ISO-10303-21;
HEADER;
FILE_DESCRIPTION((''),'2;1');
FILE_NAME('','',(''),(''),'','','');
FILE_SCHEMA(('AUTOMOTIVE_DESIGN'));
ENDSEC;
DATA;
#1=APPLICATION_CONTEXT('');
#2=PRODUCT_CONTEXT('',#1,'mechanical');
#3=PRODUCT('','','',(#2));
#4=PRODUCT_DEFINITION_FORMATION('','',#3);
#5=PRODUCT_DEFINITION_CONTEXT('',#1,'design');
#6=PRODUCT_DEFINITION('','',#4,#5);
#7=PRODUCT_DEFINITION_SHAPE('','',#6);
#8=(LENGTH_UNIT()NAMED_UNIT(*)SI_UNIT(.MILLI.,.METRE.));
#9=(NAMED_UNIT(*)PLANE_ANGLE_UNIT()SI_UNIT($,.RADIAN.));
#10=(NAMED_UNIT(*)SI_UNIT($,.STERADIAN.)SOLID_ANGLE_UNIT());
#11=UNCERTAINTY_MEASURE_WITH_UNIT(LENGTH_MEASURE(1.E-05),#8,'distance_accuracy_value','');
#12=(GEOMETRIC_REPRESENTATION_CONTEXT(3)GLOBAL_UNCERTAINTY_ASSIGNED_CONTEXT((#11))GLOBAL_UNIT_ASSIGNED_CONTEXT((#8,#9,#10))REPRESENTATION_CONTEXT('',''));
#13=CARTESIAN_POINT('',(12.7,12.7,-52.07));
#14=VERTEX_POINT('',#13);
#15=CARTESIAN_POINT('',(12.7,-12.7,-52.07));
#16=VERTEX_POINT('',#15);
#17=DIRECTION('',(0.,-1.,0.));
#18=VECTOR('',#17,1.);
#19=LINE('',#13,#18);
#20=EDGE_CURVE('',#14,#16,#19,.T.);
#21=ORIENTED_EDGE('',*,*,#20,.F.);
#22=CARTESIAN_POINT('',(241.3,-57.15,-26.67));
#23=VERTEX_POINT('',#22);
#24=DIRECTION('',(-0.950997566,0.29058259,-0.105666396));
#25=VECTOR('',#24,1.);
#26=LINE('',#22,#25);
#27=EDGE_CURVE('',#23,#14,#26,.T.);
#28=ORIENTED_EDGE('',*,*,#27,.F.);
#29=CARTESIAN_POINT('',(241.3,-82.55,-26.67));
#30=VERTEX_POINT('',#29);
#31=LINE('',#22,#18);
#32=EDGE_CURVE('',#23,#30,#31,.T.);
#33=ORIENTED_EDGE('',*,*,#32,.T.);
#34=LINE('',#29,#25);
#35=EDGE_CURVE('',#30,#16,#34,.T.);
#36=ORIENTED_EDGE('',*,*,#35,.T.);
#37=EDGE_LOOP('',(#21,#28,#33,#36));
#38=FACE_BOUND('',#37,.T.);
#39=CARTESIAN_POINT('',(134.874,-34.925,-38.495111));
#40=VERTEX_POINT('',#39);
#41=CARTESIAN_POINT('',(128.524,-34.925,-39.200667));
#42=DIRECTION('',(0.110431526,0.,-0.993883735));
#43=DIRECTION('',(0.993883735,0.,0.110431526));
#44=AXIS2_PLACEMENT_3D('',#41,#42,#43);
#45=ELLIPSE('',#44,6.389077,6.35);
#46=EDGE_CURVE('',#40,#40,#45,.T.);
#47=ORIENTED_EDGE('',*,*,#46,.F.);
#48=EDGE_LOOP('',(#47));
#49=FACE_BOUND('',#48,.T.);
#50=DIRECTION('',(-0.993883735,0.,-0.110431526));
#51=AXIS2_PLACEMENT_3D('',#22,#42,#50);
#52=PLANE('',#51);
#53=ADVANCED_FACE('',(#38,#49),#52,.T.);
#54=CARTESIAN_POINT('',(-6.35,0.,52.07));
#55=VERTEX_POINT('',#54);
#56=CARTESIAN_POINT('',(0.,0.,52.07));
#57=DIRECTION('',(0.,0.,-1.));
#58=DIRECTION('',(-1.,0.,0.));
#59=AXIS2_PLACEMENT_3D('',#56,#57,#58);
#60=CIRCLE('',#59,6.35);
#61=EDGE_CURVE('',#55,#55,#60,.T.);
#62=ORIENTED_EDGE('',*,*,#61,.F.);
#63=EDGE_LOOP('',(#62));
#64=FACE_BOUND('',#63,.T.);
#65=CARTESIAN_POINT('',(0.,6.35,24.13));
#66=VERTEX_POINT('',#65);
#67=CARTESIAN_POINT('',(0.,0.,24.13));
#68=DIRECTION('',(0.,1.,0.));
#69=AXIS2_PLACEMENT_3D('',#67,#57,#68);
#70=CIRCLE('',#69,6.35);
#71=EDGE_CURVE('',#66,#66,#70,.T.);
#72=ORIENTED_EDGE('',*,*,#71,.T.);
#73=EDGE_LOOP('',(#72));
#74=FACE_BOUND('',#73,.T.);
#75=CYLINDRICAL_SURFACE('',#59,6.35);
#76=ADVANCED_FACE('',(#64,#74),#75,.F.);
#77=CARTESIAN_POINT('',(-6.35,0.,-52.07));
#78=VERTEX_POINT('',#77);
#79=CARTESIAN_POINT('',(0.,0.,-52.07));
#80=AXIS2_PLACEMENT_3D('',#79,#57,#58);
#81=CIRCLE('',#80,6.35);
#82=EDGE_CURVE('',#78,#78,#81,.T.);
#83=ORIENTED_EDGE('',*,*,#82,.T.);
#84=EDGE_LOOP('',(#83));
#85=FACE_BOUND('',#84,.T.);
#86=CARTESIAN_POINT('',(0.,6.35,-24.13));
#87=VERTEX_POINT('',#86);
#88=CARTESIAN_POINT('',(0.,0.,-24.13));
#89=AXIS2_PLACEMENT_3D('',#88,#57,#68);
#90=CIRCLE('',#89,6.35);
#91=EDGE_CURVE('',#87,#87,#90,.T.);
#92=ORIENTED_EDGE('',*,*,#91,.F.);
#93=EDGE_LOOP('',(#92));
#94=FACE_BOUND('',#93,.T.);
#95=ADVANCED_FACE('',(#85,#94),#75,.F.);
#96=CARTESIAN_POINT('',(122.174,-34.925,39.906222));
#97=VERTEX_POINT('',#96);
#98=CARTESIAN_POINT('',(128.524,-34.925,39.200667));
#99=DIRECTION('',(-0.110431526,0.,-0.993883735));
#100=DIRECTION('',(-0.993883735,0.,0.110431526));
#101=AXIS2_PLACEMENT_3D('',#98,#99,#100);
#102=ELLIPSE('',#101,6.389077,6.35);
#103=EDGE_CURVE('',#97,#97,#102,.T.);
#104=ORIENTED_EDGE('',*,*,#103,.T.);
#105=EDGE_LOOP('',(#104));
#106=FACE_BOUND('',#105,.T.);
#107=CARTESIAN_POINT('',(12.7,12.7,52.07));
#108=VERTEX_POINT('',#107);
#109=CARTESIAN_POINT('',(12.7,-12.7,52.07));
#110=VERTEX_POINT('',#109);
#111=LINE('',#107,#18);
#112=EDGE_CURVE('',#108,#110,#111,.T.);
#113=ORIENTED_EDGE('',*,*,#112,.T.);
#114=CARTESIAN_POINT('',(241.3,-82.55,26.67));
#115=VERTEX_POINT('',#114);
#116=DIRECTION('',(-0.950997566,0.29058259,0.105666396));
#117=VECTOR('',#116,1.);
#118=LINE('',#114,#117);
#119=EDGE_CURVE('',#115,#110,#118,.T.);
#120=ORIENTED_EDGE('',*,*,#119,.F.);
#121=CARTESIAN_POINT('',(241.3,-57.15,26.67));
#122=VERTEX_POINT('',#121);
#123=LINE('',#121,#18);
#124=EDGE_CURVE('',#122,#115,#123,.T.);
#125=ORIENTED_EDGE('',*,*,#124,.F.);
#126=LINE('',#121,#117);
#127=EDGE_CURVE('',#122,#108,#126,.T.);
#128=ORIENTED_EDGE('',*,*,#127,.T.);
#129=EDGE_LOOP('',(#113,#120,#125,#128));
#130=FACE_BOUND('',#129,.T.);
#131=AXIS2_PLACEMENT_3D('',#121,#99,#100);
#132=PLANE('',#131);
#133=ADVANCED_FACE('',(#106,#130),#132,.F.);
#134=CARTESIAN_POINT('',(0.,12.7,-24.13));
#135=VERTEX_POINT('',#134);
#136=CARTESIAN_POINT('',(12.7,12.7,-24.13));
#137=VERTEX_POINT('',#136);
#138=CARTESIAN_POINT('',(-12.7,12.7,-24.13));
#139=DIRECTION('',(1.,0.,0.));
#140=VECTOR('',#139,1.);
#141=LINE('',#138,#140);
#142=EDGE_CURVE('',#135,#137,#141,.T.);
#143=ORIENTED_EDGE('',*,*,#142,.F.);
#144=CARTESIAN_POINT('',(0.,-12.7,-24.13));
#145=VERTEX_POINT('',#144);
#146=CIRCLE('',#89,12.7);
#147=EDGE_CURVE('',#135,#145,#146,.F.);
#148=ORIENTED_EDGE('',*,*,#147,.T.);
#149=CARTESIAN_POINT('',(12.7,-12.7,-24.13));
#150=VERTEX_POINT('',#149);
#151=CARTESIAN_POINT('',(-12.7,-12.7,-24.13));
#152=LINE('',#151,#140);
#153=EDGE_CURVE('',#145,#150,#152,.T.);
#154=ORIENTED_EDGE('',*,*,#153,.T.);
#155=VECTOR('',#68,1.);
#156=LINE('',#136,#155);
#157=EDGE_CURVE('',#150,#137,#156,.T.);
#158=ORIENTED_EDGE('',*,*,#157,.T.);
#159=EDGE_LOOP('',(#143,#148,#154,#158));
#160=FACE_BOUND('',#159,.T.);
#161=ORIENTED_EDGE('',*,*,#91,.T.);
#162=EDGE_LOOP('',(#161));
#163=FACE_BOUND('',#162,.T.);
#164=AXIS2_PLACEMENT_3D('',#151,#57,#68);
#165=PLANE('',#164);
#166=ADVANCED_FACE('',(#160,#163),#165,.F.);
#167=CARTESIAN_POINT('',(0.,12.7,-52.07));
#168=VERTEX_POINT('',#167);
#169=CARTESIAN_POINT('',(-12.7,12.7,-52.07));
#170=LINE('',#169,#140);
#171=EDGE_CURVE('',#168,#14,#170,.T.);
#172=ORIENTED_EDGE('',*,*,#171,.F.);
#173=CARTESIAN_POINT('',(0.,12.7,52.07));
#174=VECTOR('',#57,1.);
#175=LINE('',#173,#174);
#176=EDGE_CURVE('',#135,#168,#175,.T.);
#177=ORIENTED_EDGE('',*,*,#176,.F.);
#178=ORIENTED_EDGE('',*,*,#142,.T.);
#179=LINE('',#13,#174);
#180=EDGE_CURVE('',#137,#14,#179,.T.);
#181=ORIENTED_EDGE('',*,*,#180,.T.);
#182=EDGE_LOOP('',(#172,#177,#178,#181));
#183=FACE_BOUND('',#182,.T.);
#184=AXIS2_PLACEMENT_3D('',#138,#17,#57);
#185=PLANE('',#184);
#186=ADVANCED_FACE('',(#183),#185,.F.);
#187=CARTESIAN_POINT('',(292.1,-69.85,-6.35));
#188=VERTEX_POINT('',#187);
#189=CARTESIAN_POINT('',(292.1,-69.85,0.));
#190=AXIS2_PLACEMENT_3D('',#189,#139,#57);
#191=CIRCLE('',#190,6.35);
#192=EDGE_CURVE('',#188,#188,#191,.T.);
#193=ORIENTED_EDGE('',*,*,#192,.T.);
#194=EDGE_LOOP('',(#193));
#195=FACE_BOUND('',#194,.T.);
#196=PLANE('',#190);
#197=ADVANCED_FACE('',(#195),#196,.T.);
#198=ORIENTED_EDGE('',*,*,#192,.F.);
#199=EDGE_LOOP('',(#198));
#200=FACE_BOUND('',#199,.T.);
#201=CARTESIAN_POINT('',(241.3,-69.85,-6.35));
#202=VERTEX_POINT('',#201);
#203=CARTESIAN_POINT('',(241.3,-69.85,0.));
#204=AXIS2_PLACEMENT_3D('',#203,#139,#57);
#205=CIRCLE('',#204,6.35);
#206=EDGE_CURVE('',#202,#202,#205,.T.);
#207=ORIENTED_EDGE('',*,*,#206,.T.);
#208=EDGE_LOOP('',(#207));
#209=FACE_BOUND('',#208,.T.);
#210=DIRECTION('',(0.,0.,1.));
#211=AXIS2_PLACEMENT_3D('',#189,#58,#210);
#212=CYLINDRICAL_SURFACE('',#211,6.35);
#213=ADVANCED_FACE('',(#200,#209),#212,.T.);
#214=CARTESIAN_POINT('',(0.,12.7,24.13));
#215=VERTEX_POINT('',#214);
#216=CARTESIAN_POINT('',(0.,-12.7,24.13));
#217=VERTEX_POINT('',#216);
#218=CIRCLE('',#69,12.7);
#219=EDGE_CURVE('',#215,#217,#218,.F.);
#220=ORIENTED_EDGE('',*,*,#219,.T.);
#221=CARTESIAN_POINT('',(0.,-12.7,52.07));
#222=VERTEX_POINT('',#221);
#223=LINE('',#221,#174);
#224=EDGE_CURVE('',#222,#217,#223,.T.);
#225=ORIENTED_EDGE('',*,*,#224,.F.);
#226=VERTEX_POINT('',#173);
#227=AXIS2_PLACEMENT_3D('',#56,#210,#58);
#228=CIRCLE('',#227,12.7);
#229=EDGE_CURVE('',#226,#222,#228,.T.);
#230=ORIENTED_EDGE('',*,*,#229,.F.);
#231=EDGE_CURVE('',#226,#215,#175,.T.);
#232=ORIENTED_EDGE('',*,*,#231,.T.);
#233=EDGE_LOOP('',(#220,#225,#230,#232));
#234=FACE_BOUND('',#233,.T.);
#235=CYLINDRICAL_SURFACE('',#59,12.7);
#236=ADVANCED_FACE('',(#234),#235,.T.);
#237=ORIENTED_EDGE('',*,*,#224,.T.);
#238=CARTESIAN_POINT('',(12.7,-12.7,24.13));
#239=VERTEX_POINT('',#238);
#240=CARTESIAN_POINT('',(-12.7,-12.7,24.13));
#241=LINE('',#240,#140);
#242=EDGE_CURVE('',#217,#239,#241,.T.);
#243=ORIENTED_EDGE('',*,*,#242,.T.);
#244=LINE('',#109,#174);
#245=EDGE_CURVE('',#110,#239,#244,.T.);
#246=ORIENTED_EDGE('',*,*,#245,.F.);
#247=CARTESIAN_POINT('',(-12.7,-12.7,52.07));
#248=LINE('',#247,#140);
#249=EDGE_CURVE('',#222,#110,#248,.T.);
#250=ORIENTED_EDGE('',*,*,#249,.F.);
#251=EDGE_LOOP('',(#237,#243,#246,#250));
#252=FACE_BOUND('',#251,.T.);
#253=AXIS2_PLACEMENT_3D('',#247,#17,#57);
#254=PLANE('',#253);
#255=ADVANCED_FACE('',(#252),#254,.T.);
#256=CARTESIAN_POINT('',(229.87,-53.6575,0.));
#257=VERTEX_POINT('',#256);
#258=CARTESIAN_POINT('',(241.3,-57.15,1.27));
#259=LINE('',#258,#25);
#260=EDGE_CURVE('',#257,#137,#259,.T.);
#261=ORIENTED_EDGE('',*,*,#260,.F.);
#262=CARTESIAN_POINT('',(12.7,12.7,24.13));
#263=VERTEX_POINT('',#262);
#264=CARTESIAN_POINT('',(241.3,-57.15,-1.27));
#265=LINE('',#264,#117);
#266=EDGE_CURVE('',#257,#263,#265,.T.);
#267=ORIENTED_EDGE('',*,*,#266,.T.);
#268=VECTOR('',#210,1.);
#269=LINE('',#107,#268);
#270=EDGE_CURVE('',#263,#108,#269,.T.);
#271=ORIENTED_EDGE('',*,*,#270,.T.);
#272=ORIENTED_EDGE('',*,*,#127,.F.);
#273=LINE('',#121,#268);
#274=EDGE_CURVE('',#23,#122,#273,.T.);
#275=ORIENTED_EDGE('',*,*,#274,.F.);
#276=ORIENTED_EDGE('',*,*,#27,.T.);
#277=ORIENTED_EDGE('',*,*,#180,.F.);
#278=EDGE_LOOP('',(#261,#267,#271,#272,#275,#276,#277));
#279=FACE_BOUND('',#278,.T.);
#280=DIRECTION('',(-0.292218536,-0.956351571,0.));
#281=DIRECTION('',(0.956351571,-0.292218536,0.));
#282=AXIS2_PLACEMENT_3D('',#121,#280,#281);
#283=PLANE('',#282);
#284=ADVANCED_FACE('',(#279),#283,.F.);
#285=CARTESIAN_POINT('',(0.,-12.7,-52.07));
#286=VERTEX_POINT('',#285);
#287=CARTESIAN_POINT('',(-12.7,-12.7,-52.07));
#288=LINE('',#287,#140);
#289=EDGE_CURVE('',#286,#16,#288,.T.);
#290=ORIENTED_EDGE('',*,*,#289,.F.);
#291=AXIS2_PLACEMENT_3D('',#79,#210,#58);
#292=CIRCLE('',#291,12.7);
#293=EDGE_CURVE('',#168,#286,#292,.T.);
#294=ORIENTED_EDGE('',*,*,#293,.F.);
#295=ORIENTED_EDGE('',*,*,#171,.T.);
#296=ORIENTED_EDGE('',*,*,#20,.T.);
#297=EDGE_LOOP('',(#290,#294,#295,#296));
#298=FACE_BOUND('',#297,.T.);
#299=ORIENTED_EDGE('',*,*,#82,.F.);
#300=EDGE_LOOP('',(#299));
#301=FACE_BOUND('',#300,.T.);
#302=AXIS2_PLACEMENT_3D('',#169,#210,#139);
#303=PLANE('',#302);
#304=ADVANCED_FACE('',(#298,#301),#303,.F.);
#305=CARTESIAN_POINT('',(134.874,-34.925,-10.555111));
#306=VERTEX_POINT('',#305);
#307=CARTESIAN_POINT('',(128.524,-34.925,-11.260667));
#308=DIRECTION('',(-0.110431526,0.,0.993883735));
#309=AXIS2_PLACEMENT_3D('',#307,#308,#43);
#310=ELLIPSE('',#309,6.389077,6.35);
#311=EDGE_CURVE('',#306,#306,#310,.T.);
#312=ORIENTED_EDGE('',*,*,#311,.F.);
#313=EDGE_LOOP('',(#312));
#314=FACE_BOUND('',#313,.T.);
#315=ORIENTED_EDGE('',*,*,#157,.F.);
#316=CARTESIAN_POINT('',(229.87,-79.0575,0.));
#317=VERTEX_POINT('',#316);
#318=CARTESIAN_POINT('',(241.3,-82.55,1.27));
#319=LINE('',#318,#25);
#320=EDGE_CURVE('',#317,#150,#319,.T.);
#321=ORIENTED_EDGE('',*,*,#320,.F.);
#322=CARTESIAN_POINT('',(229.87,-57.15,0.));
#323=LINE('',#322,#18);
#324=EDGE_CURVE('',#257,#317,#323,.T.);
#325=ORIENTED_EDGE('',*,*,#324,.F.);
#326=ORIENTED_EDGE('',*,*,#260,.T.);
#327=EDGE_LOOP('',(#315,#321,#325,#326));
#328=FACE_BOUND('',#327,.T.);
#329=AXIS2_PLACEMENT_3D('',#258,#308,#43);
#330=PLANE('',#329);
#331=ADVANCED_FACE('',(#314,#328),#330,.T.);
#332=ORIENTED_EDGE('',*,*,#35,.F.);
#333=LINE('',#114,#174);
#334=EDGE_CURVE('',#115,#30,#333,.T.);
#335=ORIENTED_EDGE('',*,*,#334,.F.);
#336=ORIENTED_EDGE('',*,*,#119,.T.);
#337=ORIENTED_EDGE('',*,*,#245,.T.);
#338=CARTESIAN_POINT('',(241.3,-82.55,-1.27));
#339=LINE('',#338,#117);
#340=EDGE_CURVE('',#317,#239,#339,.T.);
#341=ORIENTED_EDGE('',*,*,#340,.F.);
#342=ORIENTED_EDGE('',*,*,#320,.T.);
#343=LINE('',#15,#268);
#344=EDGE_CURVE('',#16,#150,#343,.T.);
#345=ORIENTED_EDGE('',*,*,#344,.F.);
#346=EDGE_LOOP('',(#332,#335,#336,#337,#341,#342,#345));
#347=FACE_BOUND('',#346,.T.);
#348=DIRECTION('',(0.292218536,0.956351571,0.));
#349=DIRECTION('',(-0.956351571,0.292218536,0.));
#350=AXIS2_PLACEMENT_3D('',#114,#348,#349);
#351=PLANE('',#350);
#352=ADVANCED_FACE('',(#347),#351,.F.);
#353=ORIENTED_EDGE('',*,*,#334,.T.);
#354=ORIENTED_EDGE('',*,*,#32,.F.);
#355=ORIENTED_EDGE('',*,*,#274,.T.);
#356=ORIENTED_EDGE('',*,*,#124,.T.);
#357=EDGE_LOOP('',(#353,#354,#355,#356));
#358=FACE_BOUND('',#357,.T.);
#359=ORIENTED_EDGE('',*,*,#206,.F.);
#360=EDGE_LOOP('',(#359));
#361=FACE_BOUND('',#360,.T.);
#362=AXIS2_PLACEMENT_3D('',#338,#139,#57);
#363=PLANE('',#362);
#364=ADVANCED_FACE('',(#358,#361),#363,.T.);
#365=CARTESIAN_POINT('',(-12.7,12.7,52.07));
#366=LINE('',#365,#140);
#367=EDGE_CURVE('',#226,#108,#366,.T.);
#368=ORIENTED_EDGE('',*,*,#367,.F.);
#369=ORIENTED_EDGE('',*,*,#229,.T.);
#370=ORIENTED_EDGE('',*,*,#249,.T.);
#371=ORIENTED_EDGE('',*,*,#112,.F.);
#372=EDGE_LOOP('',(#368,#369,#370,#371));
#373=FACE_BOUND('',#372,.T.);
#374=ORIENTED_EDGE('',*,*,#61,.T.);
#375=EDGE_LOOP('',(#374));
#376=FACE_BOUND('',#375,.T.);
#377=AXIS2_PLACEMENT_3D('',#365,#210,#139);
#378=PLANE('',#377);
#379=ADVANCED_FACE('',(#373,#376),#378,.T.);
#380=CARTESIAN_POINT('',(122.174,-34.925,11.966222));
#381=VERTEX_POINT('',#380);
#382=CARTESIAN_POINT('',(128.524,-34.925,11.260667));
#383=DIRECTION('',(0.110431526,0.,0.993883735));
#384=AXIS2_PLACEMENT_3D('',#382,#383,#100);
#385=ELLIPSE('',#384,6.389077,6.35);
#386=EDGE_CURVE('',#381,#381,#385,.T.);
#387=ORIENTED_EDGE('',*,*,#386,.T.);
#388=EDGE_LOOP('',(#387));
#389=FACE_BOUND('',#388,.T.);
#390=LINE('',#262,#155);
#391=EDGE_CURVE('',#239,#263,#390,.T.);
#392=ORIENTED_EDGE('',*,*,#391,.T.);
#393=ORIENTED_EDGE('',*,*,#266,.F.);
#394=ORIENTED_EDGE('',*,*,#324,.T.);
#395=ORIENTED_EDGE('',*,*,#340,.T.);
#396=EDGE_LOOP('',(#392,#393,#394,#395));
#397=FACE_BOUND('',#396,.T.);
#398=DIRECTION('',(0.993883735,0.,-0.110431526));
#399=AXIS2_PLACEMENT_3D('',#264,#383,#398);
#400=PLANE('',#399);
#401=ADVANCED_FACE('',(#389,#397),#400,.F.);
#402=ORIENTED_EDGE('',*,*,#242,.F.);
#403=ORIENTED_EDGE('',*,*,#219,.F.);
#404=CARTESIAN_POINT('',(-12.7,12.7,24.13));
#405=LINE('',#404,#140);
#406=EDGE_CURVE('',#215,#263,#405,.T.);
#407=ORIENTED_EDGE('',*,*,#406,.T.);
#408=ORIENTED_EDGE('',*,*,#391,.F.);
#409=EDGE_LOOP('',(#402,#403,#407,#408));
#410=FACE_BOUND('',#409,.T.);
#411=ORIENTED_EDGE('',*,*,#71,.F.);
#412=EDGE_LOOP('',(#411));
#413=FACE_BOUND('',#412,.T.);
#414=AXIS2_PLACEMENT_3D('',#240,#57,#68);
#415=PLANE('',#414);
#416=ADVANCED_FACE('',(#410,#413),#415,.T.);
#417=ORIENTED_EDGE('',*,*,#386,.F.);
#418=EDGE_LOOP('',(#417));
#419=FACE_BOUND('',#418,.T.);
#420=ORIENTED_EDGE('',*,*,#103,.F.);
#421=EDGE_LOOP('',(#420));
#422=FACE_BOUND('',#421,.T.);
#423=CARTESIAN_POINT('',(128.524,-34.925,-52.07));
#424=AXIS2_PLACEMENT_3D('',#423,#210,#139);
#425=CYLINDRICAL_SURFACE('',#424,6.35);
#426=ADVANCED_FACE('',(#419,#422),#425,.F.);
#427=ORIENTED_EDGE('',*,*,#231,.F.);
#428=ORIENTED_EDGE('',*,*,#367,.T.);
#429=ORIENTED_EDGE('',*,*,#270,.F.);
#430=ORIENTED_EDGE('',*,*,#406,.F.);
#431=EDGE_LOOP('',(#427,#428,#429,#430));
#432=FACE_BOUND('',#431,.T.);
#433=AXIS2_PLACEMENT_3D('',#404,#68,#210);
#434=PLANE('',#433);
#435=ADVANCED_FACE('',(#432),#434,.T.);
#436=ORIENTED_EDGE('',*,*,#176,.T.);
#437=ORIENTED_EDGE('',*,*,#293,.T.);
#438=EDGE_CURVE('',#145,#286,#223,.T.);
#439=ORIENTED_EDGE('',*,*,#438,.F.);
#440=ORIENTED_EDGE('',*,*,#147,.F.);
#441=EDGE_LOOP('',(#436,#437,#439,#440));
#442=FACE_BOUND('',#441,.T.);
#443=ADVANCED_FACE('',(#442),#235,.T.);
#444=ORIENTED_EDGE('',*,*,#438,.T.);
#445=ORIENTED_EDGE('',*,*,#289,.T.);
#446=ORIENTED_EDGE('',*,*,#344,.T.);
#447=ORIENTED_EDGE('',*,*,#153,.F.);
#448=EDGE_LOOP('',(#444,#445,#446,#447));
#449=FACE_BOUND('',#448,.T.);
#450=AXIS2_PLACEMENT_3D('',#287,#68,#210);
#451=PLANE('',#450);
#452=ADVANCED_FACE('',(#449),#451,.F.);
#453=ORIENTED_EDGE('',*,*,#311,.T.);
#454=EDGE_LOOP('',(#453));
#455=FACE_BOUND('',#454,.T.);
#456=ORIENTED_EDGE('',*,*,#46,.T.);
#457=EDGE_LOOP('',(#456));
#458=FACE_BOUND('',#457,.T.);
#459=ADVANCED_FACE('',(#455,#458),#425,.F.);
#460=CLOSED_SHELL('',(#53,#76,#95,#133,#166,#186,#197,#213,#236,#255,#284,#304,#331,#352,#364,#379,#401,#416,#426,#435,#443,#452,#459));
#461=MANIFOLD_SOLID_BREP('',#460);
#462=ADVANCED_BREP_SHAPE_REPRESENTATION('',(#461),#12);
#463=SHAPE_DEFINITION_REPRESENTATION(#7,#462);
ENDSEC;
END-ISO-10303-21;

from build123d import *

# Parameters (mm, degrees)
SKETCH10_W              = 27.94
SKETCH10_H              = 25.4
SKETCH12_W              = 27.94
SKETCH12_H              = 25.4
BOSS_EXTRUDE2_DEPTH     = 25.4
SKETCH13_R              = 6.35
CUT_EXTRUDE4_DEPTH      = 105.14
CUT_EXTRUDE5_DEPTH      = 105.14
SKETCH15_R              = 6.35
BOSS_EXTRUDE3_DEPTH     = 50.8
SKETCH16_R              = 6.35
CUT_EXTRUDE6_DEPTH      = 53.07
CUT_EXTRUDE6_DEPTH_BACK = 53.07


with BuildPart() as part:
    # Sweep3: sweep along a curve in space
    with BuildLine() as sweep3_path:
        Line((12.7, 0, 38.1), (241.3, -69.85, 12.7))
    # Sketch10 → Sweep3 (sweep)
    with BuildSketch(Plane(origin=(12.7, 0, 0), x_dir=(0, 0, -1), z_dir=(1, 0, 0))):
        with Locations((-38.1, 0)):
            Rectangle(SKETCH10_W, SKETCH10_H)
    sweep3 = sweep(path=sweep3_path.line)

    # Sketch12 → Boss-Extrude2 (add)
    with BuildSketch(Plane(origin=(12.7, 0, 0), x_dir=(0, 0, -1), z_dir=(1, 0, 0))):
        with Locations((-38.1, 0)):
            Rectangle(SKETCH12_W, SKETCH12_H)
    boss_extrude2 = extrude(amount=-BOSS_EXTRUDE2_DEPTH)

    # Mirror5: Sweep3, Boss-Extrude2 across plane
    add(sweep3.mirror(Plane.XY))
    add(boss_extrude2.mirror(Plane.XY))

    # Sketch13 → Cut-Extrude4 (cut, through all)
    with BuildSketch(Plane(origin=(0, 0, -52.07), x_dir=(-1, 0, 0), z_dir=(0, 0, -1))):
        Circle(SKETCH13_R)
    extrude(amount=-CUT_EXTRUDE4_DEPTH, mode=Mode.SUBTRACT)

    # Sketch14 → Cut-Extrude5 (cut, through all)
    with BuildSketch(Plane(origin=(0, 0, -52.07), x_dir=(-1, 0, 0), z_dir=(0, 0, -1))):
        with BuildLine():
            Line((12.7, 12.7), (0, 12.7))
            ThreePointArc((0, 12.7), (8.980256121, 8.980256121), (12.7, 0))
            Line((12.7, 0), (12.7, 12.7))
        make_face()
    cut_extrude5 = extrude(amount=-CUT_EXTRUDE5_DEPTH, mode=Mode.SUBTRACT)

    # Mirror6: Cut-Extrude5 across plane
    add(cut_extrude5.mirror(Plane.ZX), mode=Mode.SUBTRACT)

    # Sketch15 → Boss-Extrude3 (add)
    with BuildSketch(Plane(origin=(241.3, 0, 0), x_dir=(0, 0, -1), z_dir=(1, 0, 0))):
        with Locations((0, -69.85)):
            Circle(SKETCH15_R)
    extrude(amount=BOSS_EXTRUDE3_DEPTH)

    # Sketch16 → Cut-Extrude6 (cut, two sides)
    with BuildSketch(Plane.XY) as cut_extrude6_sk:
        with Locations((128.524, -34.925)):
            Circle(SKETCH16_R)
    extrude(amount=CUT_EXTRUDE6_DEPTH, mode=Mode.SUBTRACT)
    extrude(cut_extrude6_sk.sketch, amount=-CUT_EXTRUDE6_DEPTH_BACK, mode=Mode.SUBTRACT)


solid = part.part
